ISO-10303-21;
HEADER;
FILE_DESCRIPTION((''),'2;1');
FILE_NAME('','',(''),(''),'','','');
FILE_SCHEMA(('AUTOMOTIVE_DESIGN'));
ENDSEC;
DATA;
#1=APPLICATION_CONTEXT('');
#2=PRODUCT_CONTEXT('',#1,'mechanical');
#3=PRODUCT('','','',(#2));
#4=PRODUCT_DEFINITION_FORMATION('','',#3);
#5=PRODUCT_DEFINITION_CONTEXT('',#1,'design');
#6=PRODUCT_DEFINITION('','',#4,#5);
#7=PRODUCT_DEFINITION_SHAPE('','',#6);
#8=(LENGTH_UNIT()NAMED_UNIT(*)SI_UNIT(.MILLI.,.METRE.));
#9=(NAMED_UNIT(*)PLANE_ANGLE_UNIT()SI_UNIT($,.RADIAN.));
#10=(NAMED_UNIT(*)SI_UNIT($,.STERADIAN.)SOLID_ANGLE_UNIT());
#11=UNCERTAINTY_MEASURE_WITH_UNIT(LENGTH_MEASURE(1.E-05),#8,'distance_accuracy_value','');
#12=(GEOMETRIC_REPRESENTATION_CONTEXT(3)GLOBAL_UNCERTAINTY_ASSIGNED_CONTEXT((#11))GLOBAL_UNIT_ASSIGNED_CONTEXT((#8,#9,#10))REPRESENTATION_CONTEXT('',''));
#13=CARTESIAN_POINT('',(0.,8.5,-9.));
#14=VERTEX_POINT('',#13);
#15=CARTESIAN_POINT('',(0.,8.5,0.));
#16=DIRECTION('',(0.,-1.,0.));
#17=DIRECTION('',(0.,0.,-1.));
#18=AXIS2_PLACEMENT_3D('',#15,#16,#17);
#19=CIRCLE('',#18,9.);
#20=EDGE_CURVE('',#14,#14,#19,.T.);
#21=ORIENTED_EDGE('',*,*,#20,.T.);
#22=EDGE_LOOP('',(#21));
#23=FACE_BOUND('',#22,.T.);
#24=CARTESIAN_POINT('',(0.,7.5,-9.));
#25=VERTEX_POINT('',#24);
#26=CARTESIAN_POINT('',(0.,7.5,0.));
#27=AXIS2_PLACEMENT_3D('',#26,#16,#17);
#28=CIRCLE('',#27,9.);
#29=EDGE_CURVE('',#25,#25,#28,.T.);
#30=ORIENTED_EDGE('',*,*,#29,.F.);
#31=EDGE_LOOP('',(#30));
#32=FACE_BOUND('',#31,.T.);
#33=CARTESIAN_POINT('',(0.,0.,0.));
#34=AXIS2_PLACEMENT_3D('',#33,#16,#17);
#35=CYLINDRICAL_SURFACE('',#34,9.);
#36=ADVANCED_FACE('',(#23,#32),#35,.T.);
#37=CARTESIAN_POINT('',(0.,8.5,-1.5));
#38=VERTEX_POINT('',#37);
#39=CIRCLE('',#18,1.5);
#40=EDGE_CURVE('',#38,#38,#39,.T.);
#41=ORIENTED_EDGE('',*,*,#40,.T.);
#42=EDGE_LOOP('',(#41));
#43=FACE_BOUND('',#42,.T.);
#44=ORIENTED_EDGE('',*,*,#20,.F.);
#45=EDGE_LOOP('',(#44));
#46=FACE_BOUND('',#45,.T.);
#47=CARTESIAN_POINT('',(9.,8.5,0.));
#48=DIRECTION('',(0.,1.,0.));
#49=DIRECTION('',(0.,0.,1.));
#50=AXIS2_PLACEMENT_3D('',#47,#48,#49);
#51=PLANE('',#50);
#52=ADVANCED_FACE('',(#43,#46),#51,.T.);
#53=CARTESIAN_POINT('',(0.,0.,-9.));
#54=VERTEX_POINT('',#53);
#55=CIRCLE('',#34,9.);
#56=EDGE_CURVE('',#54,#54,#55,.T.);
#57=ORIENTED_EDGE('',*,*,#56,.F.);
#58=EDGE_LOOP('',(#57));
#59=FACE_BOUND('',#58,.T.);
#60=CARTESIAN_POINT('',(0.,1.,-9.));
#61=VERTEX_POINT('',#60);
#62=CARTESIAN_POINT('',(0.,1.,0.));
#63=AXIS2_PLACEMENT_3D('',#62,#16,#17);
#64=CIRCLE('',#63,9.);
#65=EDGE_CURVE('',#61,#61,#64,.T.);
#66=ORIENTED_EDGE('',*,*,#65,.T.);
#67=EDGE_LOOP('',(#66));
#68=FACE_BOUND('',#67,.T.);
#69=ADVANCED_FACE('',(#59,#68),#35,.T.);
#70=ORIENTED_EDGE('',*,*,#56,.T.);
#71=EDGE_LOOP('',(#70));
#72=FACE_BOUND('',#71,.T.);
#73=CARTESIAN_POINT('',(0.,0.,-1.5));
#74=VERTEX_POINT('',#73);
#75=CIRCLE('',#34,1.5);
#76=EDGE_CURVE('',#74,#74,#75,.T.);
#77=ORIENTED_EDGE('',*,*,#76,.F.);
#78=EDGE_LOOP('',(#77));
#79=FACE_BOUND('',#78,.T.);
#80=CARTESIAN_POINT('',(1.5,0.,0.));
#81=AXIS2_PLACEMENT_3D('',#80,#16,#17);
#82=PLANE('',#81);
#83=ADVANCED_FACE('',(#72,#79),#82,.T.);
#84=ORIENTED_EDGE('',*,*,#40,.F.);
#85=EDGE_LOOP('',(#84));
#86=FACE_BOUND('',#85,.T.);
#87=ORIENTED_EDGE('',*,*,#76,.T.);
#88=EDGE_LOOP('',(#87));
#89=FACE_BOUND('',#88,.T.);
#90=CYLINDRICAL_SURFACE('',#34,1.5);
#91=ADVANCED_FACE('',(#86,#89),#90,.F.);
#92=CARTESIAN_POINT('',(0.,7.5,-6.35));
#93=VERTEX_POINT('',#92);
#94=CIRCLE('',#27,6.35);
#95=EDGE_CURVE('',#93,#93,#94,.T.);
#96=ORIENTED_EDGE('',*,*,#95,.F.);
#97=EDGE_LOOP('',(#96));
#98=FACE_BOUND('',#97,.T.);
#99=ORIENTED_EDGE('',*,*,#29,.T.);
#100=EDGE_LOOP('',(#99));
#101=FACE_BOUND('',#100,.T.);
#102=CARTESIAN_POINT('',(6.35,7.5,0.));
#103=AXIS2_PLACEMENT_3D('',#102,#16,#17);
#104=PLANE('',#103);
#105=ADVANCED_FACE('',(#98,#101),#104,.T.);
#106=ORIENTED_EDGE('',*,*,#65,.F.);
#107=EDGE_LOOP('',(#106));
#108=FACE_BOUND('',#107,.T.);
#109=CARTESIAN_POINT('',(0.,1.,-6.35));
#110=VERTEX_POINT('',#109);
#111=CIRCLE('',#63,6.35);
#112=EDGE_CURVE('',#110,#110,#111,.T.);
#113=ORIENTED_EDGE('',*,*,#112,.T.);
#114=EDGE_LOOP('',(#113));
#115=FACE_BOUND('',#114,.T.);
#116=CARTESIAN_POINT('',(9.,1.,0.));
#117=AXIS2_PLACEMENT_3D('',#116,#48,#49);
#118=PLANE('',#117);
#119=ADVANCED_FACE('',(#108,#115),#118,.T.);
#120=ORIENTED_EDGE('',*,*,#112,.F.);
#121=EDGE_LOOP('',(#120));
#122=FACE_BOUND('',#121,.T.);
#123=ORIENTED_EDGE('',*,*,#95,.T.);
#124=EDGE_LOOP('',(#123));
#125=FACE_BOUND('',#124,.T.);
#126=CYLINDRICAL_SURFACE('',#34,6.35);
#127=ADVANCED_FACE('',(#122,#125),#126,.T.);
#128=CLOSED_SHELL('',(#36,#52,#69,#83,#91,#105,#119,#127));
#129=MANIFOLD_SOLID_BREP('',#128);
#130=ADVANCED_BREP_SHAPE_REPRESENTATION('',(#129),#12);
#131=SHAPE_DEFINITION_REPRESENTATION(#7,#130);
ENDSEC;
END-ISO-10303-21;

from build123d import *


with BuildPart() as part:
    # Esboço1 → Revolução1 (revolve)
    with BuildSketch(Plane.XY):
        Polygon((1.5, 0), (9, 0), (9, 1), (6.35, 1), (6.35, 7.5), (9, 7.5), (9, 8.5), (1.5, 8.5), align=None)
    revolve(axis=Axis((0, 0, 0), (0, 1, 0)))


solid = part.part
